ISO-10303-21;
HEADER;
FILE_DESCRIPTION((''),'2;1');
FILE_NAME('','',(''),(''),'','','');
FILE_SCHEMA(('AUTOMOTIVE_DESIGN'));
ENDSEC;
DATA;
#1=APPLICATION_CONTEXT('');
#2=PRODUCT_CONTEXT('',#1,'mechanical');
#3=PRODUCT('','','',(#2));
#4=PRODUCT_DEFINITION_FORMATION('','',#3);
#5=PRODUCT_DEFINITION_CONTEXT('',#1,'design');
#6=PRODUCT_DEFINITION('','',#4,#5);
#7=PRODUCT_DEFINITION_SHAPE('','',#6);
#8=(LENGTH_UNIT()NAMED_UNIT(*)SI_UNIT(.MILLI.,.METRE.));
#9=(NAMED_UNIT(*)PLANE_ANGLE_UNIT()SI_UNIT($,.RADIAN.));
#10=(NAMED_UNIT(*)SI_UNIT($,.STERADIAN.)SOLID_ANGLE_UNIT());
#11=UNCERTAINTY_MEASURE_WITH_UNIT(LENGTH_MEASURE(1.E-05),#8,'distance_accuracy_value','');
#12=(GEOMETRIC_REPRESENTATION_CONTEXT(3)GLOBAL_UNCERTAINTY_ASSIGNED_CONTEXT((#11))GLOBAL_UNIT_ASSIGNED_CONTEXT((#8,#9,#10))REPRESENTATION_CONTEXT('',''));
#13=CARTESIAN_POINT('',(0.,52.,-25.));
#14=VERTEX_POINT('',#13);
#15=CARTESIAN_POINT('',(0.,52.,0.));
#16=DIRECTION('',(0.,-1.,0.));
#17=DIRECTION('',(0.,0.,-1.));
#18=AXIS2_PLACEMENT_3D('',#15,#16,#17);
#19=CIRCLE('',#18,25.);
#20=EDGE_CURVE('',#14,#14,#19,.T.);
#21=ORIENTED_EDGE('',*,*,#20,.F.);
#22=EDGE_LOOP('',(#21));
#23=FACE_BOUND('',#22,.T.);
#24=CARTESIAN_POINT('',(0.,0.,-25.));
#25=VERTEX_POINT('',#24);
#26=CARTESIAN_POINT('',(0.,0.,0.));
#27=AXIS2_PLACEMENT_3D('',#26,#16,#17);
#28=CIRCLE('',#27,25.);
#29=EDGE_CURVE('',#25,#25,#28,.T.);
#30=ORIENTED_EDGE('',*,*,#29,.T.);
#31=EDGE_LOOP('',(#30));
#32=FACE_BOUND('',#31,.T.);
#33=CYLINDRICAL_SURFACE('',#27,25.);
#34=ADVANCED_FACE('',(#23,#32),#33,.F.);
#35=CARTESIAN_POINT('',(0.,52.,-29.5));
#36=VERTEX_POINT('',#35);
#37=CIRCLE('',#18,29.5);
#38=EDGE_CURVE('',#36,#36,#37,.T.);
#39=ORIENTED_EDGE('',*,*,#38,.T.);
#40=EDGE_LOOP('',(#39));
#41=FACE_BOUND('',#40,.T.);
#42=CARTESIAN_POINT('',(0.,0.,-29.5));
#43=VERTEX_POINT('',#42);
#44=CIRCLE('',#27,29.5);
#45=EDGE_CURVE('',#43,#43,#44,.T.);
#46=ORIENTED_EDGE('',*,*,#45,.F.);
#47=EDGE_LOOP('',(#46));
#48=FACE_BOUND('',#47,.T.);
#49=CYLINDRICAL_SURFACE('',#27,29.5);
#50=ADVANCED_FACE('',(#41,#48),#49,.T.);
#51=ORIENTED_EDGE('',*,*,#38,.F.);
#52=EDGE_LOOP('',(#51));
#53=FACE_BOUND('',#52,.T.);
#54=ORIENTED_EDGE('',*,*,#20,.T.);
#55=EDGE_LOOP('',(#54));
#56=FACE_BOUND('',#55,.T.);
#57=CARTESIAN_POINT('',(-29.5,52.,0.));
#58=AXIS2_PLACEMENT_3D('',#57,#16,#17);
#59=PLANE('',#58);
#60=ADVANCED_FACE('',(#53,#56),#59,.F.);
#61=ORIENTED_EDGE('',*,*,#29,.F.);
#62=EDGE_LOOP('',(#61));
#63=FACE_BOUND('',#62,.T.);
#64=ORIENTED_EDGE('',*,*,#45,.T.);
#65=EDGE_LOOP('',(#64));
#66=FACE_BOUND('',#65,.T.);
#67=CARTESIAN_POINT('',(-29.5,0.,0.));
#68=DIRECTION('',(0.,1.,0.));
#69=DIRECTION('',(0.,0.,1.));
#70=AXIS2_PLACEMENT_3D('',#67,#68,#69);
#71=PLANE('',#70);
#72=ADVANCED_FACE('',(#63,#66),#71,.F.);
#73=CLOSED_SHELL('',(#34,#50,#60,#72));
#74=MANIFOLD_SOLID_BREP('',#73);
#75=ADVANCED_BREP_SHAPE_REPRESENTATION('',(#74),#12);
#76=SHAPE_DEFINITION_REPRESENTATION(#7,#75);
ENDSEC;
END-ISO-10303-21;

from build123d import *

# Parameters (mm, degrees)
SKETCH_1_W = 4.5
SKETCH_1_H = 52


with BuildPart() as part:
    # Эскиз1 → Повернуть1 (revolve)
    with BuildSketch(Plane.XY, mode=Mode.PRIVATE) as revolve_1_sk:
        with Locations((-27.25, 26)):
            Rectangle(SKETCH_1_W, SKETCH_1_H)
    revolve(revolve_1_sk.sketch.rotate(Axis((0, 0, 0), (0, 1, 0)), 270), axis=Axis((0, 0, 0), (0, 1, 0)))


solid = part.part
